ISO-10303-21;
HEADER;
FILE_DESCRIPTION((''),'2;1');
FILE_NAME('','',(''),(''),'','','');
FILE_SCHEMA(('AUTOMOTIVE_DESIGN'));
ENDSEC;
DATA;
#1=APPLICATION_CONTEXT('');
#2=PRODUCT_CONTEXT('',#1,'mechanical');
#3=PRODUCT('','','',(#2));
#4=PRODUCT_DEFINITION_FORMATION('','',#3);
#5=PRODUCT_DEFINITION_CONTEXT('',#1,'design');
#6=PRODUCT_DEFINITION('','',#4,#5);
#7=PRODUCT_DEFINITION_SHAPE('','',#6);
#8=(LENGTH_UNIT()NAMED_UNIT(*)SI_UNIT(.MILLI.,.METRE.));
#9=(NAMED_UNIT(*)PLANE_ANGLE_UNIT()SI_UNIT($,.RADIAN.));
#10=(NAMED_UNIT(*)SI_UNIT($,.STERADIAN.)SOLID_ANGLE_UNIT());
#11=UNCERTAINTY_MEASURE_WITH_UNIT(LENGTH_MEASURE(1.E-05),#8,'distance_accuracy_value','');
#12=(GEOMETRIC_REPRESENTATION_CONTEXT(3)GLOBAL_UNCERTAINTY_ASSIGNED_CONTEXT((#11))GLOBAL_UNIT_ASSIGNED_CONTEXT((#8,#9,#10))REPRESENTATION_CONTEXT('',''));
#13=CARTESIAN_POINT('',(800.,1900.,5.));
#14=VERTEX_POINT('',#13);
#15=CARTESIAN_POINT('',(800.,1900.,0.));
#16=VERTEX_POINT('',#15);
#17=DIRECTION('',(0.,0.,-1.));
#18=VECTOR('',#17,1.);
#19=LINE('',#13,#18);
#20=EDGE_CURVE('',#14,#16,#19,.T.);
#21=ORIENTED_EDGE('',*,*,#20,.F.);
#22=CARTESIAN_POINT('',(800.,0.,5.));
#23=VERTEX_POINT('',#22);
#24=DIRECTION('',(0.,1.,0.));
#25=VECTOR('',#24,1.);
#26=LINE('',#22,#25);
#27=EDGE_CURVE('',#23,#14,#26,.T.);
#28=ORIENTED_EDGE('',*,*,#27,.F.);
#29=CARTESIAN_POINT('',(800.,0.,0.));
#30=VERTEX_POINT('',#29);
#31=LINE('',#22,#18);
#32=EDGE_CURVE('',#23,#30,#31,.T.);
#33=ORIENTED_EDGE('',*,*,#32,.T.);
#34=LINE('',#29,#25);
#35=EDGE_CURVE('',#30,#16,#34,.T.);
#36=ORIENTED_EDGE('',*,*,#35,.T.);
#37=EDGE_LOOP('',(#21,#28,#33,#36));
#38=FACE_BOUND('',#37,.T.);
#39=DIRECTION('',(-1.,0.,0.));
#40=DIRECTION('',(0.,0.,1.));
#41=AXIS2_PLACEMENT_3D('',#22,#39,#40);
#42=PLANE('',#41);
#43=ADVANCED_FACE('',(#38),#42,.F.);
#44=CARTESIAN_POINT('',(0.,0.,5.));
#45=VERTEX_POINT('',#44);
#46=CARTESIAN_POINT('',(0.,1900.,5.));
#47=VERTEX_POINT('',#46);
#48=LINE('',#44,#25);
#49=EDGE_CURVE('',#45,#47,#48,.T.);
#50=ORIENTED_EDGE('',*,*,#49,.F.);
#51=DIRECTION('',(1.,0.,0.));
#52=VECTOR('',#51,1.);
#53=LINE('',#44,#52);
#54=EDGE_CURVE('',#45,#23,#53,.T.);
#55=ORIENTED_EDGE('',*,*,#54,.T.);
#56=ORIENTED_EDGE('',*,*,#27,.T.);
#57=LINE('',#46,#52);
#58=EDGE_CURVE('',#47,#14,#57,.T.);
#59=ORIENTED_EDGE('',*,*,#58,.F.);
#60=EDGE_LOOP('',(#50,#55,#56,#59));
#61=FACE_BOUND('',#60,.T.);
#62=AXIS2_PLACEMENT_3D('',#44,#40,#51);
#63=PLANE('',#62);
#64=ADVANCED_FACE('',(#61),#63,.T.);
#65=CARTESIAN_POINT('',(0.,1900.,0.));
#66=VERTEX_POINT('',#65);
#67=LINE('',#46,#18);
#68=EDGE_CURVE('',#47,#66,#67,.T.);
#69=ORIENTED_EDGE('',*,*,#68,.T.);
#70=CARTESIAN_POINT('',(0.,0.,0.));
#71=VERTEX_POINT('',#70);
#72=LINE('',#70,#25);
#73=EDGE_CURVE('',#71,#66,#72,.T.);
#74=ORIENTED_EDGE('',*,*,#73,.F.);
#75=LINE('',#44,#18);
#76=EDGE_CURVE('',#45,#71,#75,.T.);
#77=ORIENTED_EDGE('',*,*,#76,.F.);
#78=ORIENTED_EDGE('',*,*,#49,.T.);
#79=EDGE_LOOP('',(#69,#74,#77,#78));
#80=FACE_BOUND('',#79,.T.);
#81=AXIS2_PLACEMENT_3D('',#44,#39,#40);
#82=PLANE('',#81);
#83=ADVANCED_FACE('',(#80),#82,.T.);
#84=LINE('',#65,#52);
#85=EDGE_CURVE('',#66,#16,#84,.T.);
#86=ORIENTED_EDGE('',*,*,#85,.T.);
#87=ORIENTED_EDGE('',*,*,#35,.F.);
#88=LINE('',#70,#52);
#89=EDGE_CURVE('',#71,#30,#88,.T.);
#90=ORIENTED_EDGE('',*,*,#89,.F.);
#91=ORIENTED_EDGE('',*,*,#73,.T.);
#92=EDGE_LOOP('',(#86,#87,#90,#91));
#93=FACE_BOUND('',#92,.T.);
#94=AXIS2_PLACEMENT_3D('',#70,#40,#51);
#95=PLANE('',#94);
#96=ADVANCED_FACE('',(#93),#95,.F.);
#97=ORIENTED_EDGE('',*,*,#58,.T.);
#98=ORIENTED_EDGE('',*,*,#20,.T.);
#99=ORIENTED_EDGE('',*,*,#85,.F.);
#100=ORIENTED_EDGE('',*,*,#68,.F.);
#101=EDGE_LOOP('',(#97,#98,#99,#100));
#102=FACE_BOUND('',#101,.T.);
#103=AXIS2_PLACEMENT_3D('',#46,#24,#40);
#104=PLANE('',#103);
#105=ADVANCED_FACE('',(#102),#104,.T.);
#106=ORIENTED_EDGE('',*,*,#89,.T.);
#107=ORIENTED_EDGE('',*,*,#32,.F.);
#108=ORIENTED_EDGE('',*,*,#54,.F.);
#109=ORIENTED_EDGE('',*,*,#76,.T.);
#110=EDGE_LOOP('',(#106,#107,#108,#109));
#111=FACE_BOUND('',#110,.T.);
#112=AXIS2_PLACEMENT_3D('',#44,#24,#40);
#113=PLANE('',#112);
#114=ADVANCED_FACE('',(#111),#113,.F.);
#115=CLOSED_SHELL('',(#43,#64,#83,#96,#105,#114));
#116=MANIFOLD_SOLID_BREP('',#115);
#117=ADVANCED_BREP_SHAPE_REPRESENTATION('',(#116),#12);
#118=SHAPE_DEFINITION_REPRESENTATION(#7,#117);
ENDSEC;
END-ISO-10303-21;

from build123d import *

# Parameters (mm, degrees)
SZKIC1_W                    = 800
SZKIC1_H                    = 1900
DODANIE_WYCI_GNI_CIE1_DEPTH = 5


with BuildPart() as part:
    # Szkic1 → Dodanie-wyciągnięcie1 (new body)
    with BuildSketch(Plane.XY):
        with Locations((400, 950)):
            Rectangle(SZKIC1_W, SZKIC1_H)
    extrude(amount=DODANIE_WYCI_GNI_CIE1_DEPTH)


solid = part.part
